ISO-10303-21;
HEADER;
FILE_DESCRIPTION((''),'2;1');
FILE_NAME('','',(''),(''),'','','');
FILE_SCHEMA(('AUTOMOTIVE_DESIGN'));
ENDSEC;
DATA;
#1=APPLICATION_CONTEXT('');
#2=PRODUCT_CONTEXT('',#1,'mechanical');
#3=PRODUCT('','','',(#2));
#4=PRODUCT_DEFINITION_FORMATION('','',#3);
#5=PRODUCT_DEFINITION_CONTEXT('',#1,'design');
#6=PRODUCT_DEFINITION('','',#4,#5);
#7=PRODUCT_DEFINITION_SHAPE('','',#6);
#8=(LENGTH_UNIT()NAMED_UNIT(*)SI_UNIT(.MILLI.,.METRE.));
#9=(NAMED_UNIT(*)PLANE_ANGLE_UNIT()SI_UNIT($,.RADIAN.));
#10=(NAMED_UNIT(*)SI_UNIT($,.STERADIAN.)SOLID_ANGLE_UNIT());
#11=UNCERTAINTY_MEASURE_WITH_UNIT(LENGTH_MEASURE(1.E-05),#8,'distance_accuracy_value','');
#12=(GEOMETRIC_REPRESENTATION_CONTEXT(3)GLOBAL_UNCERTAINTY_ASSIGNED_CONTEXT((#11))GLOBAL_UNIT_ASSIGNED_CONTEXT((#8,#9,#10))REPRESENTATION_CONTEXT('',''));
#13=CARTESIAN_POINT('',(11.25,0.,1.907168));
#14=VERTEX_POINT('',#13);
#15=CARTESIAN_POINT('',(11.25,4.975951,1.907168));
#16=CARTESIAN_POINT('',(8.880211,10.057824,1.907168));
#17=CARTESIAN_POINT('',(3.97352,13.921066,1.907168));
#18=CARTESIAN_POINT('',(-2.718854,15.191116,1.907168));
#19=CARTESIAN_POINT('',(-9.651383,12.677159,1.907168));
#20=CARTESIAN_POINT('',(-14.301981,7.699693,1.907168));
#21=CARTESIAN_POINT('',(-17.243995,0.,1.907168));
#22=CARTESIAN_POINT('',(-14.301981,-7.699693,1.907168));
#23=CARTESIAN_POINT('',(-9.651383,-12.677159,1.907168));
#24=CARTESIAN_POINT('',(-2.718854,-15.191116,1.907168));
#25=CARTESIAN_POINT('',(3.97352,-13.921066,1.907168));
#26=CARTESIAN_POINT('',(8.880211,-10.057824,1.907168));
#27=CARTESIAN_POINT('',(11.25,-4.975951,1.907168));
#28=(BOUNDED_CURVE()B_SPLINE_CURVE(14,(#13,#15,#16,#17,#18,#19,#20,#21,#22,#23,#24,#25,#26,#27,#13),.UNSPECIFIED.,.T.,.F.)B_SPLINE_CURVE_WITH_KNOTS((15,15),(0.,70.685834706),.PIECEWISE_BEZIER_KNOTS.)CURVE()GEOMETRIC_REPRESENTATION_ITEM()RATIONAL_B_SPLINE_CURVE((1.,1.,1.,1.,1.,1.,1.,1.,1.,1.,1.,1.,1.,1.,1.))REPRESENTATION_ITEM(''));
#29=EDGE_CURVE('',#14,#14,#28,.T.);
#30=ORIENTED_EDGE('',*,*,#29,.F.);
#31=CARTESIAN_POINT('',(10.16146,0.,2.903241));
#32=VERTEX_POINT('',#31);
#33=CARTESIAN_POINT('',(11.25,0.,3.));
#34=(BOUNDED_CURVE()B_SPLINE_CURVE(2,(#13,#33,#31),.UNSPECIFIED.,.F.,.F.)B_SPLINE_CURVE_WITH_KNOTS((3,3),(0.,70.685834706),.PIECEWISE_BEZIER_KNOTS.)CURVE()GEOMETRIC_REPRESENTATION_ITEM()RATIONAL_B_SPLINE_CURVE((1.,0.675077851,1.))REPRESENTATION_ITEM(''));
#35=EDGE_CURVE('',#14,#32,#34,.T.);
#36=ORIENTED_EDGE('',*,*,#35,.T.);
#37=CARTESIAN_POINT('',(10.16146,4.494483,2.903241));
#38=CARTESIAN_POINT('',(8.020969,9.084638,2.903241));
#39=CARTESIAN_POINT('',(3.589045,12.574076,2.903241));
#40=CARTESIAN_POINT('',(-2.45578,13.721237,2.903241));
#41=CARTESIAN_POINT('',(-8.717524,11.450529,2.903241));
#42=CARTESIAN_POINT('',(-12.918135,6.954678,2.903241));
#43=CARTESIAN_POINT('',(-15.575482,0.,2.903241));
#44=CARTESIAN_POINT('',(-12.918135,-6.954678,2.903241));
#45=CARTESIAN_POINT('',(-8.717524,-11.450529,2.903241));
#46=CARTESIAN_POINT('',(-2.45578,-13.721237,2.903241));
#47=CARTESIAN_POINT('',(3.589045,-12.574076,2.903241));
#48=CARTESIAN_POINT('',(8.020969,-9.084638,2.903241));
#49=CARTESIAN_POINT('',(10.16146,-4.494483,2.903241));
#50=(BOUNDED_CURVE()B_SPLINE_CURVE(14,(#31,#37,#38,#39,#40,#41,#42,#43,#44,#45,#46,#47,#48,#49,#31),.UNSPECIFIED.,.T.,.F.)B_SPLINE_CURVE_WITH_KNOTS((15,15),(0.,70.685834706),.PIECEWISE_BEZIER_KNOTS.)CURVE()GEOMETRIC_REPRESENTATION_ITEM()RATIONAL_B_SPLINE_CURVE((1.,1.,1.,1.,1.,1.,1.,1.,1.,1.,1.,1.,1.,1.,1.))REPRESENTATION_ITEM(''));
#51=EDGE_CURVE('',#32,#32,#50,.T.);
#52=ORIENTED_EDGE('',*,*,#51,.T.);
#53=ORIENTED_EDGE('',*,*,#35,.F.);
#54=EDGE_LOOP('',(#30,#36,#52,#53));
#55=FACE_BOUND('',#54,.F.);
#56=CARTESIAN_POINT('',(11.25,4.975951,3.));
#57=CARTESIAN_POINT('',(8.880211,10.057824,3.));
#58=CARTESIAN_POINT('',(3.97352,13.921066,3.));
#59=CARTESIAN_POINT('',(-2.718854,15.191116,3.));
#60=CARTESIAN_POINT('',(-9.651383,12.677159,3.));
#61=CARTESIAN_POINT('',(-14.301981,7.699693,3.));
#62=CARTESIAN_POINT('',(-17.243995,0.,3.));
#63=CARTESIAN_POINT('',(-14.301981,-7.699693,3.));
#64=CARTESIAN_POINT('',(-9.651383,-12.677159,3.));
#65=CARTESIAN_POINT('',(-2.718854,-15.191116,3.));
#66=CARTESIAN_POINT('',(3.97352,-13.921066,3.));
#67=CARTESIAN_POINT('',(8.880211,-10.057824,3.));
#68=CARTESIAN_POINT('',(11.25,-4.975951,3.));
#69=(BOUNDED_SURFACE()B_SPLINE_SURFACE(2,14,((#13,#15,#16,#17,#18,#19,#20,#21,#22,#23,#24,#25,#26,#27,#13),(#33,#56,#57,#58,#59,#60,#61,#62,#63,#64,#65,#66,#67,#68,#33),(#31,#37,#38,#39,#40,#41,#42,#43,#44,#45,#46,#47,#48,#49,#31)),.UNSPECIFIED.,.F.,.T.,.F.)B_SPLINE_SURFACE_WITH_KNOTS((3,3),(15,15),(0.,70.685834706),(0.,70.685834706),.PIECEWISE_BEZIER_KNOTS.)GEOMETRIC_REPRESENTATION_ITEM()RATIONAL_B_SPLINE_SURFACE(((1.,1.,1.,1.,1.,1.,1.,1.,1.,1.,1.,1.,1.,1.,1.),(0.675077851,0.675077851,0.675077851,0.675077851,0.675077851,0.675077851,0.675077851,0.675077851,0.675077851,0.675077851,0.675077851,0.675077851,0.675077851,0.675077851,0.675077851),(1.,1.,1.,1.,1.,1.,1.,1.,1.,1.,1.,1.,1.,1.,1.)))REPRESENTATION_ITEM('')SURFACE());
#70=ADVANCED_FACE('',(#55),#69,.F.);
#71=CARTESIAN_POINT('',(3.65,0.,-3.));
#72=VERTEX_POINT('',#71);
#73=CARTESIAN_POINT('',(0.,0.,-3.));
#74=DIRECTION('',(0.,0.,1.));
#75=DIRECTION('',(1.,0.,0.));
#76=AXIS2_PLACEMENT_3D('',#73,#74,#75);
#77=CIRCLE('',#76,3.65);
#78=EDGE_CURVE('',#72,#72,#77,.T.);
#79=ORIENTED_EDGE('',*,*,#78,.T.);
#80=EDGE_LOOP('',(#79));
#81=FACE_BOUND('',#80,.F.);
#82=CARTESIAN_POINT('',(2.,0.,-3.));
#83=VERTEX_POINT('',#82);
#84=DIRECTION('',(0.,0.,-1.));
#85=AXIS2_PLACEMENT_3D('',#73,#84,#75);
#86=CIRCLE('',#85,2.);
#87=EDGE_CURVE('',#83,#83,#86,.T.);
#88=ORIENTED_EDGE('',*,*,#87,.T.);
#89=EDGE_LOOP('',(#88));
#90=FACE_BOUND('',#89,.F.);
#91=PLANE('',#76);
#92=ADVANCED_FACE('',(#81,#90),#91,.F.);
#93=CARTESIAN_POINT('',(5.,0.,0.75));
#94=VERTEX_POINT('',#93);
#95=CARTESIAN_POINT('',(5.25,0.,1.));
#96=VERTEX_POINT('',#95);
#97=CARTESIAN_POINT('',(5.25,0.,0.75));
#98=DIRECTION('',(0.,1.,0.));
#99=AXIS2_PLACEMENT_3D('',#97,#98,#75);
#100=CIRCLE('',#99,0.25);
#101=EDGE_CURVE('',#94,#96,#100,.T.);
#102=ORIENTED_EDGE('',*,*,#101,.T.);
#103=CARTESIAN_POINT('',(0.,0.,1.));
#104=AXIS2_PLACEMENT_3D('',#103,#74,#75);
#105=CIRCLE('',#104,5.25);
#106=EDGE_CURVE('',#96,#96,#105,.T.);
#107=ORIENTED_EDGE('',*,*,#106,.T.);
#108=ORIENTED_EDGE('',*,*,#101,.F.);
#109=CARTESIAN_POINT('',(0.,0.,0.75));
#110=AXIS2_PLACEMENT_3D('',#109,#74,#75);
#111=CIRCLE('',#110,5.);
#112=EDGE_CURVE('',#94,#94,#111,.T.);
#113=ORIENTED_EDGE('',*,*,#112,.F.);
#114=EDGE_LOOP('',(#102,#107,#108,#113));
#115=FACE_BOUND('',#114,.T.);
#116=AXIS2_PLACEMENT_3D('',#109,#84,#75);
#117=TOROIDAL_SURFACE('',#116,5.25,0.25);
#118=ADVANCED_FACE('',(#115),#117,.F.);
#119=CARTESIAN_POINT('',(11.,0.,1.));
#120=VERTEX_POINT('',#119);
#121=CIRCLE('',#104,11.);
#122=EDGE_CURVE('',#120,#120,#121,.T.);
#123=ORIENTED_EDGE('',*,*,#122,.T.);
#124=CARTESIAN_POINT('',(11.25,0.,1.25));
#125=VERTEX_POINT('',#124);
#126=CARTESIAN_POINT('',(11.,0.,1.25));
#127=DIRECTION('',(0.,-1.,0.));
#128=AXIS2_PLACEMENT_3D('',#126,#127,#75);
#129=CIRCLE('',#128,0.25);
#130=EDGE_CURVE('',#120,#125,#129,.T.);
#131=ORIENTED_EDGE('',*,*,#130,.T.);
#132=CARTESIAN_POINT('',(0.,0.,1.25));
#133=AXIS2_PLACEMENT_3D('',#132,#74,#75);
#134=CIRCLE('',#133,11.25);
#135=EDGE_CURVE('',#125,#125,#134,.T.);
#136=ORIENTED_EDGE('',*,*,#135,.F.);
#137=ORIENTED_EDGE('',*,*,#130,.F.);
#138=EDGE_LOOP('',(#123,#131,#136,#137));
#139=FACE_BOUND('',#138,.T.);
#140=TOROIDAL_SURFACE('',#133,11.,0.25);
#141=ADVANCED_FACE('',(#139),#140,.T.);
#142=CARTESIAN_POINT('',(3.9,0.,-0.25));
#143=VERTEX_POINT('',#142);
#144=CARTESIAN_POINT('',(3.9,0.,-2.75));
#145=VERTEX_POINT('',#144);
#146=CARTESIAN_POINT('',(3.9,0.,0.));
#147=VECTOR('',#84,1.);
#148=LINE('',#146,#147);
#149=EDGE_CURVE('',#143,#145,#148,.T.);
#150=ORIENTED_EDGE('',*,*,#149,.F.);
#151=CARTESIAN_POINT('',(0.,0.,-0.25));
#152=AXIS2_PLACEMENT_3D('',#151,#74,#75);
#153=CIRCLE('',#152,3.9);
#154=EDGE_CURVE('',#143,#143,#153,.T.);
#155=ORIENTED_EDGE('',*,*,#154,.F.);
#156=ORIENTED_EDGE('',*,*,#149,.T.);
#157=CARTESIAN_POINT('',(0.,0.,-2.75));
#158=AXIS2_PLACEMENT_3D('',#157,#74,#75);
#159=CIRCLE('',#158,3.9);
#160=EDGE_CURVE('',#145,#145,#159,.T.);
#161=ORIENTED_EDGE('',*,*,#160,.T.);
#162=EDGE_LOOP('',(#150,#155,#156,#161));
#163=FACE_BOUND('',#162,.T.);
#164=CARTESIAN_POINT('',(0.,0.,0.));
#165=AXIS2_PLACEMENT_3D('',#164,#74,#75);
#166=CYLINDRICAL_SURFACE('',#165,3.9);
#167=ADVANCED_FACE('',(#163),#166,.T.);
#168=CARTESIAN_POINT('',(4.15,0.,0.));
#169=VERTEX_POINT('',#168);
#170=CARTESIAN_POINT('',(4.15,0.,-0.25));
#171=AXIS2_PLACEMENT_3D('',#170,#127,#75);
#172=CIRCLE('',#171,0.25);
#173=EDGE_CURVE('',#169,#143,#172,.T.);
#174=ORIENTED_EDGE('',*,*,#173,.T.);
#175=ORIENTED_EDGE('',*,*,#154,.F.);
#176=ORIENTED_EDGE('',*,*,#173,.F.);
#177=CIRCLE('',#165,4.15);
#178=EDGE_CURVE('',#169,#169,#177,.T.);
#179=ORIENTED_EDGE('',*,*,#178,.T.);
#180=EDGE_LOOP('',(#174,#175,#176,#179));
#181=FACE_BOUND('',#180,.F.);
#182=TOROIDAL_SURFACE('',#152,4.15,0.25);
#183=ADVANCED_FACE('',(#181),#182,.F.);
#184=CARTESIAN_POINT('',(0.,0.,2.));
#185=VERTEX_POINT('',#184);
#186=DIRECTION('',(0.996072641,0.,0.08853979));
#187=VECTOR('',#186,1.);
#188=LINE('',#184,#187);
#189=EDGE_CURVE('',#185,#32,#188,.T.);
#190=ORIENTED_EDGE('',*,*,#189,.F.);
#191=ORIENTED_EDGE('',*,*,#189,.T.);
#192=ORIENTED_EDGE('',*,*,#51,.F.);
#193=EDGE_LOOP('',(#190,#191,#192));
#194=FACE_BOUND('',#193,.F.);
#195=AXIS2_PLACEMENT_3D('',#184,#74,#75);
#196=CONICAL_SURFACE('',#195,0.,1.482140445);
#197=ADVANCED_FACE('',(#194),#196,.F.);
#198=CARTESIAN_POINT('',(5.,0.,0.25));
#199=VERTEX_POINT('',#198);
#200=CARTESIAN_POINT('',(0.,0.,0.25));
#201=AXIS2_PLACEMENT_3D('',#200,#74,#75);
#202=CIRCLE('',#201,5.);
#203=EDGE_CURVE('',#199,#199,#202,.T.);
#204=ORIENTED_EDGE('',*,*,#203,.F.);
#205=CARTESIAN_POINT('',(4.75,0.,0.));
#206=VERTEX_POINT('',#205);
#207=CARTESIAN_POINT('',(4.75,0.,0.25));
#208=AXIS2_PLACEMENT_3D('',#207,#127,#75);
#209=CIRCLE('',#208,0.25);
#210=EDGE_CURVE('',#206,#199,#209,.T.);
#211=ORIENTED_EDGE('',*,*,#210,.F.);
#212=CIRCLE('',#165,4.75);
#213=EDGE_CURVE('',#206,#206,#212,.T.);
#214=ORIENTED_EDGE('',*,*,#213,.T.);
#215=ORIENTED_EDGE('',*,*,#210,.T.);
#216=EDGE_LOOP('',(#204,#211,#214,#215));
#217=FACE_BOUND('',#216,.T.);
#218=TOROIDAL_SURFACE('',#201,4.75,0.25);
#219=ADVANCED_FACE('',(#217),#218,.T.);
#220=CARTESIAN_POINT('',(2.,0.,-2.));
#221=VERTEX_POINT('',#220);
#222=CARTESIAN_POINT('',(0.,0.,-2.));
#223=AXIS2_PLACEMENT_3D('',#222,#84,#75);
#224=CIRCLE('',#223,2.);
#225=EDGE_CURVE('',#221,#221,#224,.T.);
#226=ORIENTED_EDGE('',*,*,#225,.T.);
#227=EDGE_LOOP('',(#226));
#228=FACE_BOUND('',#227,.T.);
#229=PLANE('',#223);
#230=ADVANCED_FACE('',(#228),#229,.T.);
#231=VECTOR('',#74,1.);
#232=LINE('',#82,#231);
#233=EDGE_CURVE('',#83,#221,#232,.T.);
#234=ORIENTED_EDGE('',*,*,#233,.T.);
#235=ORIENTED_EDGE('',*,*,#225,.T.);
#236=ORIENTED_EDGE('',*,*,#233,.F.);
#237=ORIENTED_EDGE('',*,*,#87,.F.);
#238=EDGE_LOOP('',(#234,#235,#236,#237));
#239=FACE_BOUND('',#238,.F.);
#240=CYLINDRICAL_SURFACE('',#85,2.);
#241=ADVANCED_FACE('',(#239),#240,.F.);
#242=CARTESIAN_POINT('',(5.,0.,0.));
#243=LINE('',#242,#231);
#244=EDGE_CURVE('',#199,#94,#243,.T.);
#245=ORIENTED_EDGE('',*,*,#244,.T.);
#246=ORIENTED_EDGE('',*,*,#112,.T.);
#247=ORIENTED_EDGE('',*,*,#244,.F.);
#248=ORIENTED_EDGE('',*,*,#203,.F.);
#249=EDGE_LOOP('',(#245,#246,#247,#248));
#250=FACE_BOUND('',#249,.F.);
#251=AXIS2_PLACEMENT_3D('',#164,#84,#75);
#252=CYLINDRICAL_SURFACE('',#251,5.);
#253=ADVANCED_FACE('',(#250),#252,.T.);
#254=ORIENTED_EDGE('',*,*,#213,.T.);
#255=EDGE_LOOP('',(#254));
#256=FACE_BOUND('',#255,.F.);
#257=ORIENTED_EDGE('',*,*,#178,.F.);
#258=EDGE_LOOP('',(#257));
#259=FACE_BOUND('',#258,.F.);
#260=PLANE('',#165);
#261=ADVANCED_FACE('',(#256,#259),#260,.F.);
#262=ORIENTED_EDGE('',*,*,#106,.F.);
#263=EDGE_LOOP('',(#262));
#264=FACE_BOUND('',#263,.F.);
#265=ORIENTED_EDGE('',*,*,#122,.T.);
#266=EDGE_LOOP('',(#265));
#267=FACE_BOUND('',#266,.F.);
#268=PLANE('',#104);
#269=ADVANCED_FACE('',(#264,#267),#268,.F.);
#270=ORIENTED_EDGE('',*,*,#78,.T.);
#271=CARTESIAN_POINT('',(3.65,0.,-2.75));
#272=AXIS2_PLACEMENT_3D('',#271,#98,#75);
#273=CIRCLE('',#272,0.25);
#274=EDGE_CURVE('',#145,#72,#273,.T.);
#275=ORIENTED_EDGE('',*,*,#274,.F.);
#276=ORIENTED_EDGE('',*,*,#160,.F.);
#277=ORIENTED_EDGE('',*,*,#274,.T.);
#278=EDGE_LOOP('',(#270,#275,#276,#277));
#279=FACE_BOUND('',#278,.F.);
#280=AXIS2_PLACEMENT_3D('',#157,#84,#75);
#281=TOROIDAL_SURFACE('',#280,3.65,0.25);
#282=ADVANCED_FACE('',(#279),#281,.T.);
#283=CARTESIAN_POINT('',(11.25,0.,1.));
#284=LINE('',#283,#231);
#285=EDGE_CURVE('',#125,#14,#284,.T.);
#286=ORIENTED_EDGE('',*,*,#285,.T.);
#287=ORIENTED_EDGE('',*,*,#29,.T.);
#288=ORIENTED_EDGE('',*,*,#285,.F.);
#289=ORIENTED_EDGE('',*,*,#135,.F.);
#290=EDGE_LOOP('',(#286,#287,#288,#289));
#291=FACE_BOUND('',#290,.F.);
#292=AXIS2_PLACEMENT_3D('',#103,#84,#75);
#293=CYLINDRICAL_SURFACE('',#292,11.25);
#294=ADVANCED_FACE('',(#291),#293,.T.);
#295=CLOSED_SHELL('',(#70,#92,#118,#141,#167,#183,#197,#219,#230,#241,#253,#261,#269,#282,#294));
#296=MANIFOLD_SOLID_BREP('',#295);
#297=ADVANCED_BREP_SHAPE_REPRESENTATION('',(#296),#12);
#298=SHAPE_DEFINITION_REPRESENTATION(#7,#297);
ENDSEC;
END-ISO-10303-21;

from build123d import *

# Parameters (mm, degrees)
F0_R     = 3.9
F1_DEPTH = 3
F0_R_2   = 5
F2_DEPTH = 1
F3_R     = 11.25
F4_DEPTH = 2
F7_R     = 1
F8_R     = 2
F9_DEPTH = 1
F10_R    = 0.25
F11_R    = 0.25
F12_R    = 0.25


with BuildPart() as f1:
    # F0 (on Top) → F1 (new body)
    with BuildSketch(Plane.XY):
        Circle(F0_R)
    extrude(amount=-F1_DEPTH)

    # F0 (on Top) → F2 (join)
    with BuildSketch(Plane.XY):
        Circle(F0_R_2)
        Circle(F0_R, mode=Mode.SUBTRACT)
        Circle(F0_R)
    extrude(amount=F2_DEPTH)

    # F3 (on face) → F4 (join)
    with BuildSketch(Plane.XY.offset(1)):
        Circle(F3_R)
    extrude(amount=F4_DEPTH)

    # F5 (on Front) → F6 (revolve, cut)
    with BuildSketch(Plane.XZ):
        Polygon((0, 2), (11.25, 3), (0, 3), align=None)
    revolve(axis=Axis((0, 0, 1), (0, 0, 1)), mode=Mode.SUBTRACT)

    # F7
    f7_edges = [f1.edges().sort_by_distance(p)[0] for p in [
        (-11.25, 0, 3),
    ]]
    fillet(f7_edges, radius=F7_R)

    # F8 (on face) → F9 (cut)
    with BuildSketch(Plane(origin=(0, 0, -3), x_dir=(1, 0, 0), z_dir=(0, 0, -1))):
        Circle(F8_R)
    extrude(amount=-F9_DEPTH, mode=Mode.SUBTRACT)

    # F10
    f10_edges = [f1.edges().sort_by_distance(p)[0] for p in [
        (-3.9, 0, -3),
    ]]
    fillet(f10_edges, radius=F10_R)

    # F11
    f11_edges = [f1.edges().sort_by_distance(p)[0] for p in [
        (-5, 0, 0),
    ]]
    fillet(f11_edges, radius=F11_R)

    # F12
    f12_edges = [f1.edges().sort_by_distance(p)[0] for p in [
        (-3.9, 0, 0),
        (-11.25, 0, 1),
        (-5, 0, 1),
    ]]
    fillet(f12_edges, radius=F12_R)


solid = f1.part
